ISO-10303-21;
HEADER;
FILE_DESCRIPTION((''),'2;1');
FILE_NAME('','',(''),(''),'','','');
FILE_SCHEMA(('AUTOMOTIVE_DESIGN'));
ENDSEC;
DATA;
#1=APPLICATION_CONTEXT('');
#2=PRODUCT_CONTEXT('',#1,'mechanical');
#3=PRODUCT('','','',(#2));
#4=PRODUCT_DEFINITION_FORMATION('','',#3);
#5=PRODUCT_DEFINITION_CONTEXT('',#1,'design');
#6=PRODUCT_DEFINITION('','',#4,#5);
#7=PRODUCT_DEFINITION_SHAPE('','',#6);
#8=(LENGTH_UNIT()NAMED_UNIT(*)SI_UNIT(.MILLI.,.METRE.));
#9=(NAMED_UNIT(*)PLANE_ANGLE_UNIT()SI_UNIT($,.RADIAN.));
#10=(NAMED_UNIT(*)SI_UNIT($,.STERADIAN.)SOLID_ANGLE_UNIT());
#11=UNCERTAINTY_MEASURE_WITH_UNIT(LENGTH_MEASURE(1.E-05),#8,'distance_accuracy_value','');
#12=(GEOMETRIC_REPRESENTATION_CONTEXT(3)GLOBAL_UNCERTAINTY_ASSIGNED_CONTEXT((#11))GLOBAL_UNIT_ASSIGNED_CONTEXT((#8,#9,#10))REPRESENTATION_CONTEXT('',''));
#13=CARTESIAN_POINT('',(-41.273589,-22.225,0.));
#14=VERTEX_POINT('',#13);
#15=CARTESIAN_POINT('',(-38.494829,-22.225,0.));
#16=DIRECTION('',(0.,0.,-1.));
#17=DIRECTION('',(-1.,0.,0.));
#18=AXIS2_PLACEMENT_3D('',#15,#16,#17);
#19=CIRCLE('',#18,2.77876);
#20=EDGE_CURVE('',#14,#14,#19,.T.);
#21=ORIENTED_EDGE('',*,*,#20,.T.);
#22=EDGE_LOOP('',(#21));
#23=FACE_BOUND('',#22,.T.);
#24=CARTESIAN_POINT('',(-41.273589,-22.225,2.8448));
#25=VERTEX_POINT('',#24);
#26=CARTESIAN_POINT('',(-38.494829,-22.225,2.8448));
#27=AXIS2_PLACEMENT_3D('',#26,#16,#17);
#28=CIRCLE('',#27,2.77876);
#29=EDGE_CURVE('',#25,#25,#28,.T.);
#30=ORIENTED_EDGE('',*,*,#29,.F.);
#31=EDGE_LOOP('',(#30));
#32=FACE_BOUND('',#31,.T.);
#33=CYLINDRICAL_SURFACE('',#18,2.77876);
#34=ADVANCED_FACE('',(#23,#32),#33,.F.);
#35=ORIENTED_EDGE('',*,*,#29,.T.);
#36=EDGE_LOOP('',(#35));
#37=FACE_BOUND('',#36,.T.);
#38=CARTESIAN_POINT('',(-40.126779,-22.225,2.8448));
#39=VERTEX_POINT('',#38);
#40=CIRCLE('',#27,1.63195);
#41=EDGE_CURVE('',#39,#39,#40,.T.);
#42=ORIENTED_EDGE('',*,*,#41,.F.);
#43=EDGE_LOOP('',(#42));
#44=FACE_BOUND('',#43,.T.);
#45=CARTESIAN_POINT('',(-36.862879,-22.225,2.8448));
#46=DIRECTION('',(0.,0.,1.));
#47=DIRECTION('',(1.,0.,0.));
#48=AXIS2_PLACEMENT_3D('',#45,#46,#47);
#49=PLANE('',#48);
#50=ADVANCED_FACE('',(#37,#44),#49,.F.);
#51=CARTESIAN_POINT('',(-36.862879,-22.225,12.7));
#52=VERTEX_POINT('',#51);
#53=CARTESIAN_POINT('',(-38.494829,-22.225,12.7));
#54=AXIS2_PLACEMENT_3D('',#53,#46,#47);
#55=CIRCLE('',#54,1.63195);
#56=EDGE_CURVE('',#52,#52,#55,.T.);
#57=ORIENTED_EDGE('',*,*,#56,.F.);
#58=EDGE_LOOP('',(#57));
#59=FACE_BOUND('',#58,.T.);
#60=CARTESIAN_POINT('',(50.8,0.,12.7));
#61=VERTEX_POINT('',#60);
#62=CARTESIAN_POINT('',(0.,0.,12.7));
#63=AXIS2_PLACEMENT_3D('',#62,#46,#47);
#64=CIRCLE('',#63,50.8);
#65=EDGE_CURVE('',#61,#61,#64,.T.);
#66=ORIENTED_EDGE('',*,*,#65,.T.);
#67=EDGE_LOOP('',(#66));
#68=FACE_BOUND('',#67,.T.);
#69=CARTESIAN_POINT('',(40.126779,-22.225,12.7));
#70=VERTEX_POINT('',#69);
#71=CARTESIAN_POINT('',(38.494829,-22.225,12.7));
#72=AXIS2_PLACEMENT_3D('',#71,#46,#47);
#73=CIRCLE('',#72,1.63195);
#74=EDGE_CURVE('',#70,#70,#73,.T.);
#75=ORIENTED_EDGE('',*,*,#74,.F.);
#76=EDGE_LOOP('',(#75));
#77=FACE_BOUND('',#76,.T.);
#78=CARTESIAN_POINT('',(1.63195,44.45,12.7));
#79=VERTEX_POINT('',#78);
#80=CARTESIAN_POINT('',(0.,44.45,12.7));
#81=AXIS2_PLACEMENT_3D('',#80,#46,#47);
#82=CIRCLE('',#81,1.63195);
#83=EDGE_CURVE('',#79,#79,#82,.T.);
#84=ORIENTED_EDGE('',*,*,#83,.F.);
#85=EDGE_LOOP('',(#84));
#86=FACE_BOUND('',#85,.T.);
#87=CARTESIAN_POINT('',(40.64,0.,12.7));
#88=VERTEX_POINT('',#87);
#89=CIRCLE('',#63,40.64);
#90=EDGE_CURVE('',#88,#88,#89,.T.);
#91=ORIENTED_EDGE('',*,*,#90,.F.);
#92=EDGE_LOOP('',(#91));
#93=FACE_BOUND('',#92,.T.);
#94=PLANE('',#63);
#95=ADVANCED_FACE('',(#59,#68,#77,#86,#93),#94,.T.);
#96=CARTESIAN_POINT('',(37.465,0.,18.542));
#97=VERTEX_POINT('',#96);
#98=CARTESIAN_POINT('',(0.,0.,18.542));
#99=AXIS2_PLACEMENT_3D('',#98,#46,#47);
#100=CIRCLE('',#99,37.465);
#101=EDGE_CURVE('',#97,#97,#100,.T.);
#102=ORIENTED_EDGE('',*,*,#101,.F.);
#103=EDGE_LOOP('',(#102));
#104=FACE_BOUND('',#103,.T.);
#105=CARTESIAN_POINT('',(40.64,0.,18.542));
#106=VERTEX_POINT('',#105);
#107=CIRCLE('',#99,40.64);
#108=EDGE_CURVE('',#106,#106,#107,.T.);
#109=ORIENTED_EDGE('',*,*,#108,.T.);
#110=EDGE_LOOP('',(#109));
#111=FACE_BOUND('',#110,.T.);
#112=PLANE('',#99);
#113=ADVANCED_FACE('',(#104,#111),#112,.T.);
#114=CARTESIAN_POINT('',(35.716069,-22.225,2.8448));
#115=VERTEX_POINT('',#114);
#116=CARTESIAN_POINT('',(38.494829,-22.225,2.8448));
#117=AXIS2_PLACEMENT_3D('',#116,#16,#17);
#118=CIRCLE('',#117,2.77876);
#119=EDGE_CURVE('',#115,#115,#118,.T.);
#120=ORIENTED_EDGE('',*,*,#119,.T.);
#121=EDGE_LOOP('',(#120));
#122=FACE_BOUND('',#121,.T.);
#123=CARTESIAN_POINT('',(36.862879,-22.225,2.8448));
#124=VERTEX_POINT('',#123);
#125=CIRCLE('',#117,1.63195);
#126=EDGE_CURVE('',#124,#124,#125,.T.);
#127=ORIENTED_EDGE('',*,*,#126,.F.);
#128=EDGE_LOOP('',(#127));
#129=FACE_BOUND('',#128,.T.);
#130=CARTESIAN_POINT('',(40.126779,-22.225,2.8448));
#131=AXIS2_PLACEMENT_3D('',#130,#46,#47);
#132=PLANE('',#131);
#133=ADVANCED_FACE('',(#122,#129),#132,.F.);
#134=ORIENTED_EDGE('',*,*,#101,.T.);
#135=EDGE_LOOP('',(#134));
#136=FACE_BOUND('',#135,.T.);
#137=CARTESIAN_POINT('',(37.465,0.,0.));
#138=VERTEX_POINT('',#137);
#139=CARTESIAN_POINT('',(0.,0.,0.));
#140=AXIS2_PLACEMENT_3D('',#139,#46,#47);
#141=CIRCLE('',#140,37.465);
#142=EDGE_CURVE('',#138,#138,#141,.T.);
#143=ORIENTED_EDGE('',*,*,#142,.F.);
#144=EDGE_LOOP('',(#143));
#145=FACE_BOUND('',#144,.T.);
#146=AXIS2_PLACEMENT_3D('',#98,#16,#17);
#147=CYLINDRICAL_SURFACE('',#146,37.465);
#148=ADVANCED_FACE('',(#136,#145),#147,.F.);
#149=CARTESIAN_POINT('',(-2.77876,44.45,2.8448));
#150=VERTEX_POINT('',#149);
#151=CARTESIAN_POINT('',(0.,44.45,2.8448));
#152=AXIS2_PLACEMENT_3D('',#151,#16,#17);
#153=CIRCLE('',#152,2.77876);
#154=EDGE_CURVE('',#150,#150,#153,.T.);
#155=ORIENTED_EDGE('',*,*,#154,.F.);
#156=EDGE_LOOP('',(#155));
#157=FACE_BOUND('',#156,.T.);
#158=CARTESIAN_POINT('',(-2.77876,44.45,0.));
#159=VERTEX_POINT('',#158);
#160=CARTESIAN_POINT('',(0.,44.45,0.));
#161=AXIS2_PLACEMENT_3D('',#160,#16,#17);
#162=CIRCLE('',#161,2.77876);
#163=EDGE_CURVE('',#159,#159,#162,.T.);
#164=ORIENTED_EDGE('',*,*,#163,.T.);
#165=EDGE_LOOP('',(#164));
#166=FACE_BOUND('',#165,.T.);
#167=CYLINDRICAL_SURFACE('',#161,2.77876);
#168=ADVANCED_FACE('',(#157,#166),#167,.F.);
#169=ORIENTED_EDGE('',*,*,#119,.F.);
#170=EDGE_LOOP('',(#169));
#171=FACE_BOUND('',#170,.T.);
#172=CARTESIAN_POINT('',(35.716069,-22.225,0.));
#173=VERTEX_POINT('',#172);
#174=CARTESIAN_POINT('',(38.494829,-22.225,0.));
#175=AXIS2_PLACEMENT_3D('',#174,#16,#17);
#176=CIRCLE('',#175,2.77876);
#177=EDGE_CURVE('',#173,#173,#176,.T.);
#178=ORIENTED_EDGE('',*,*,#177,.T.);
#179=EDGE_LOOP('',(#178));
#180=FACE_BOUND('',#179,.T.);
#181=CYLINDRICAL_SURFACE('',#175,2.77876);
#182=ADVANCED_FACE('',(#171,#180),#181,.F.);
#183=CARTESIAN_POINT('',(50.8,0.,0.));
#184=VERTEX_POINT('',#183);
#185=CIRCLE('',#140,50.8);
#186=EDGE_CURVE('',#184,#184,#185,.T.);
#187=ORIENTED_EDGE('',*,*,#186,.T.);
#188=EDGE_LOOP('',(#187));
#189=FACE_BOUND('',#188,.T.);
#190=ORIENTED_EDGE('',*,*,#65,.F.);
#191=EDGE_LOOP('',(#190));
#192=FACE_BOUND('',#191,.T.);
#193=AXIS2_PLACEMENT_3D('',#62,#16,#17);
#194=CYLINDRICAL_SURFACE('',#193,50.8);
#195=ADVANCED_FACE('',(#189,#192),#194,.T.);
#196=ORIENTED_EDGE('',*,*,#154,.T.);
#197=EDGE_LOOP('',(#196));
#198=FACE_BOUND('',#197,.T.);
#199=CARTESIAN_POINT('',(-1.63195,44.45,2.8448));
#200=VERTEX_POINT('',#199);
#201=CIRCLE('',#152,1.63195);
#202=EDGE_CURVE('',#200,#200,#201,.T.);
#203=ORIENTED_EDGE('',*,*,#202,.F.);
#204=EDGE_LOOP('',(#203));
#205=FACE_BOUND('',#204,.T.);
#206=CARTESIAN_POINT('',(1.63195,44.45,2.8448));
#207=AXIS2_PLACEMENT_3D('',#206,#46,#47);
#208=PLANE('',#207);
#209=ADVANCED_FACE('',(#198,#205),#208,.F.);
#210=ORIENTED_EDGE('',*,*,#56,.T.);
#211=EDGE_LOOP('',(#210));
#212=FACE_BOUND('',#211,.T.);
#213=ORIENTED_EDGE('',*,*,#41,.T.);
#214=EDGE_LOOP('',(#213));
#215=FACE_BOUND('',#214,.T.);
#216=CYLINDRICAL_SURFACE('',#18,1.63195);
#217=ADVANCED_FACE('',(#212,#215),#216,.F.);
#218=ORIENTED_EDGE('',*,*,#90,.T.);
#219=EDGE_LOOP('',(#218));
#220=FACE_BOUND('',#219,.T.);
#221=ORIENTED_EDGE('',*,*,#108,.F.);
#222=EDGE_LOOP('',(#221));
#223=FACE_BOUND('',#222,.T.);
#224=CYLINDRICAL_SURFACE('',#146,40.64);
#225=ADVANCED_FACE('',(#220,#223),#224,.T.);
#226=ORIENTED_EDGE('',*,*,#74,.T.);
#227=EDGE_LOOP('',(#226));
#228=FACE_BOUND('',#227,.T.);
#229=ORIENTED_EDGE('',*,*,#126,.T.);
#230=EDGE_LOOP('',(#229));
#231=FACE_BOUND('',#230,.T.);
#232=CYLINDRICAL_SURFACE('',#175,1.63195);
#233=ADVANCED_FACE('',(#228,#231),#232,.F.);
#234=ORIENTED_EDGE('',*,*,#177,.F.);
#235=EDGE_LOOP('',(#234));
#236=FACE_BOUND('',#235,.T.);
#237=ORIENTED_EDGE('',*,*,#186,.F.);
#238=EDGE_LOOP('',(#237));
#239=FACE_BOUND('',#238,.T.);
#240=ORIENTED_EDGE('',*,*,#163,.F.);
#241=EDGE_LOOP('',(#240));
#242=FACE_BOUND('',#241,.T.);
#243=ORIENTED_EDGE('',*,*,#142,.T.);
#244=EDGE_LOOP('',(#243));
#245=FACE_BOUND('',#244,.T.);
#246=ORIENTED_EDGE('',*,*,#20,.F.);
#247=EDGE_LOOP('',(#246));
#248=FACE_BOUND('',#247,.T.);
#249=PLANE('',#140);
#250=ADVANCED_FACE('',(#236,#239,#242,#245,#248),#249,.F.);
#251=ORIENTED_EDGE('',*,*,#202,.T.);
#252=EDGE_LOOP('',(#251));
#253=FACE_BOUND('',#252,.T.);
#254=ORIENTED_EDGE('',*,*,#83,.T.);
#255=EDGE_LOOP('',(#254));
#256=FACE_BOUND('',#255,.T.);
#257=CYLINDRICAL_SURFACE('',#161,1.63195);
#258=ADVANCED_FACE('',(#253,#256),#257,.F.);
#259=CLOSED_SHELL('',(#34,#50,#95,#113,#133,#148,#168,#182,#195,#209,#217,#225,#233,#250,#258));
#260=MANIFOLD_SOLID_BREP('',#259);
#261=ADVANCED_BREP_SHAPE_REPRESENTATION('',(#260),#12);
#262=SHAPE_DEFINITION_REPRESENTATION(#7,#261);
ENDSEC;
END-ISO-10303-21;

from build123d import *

# Parameters (mm, degrees)
SKETCH1_R           = 50.8
BOSS_EXTRUDE1_DEPTH = 12.7
SKETCH2_R           = 40.64
SKETCH2_R_2         = 37.465
BOSS_EXTRUDE2_DEPTH = 5.842
SKETCH4_R           = 37.465
CUT_EXTRUDE1_DEPTH  = 13.7
CIRPATTERN1_COUNT   = 3


with BuildPart() as part:
    # Sketch1 → Boss-Extrude1 (new body)
    with BuildSketch(Plane.XY):
        Circle(SKETCH1_R)
    extrude(amount=BOSS_EXTRUDE1_DEPTH)

    # Sketch2 → Boss-Extrude2 (add)
    with BuildSketch(Plane.XY.offset(12.7)):
        Circle(SKETCH2_R)
        Circle(SKETCH2_R_2, mode=Mode.SUBTRACT)
    extrude(amount=BOSS_EXTRUDE2_DEPTH)

    # Sketch4 → Cut-Extrude1 (cut, through all)
    with BuildSketch(Plane.XY.offset(12.7)):
        Circle(SKETCH4_R)
    extrude(amount=-CUT_EXTRUDE1_DEPTH, mode=Mode.SUBTRACT)

    # Sketch6 → CBORE for #4 Socket Head Cap Screw1 (revolve, cut)
    with BuildSketch(Plane(origin=(0, 44.45, 0), x_dir=(0, 1, 0), z_dir=(1, 0, 0))):
        Polygon((0, 0), (0, 13.807574487), (1.63195, 12.827), (1.63195, 2.8448), (2.77876, 2.8448), (2.77876, 0), align=None)
    cbore_for_4_socket_head_cap_screw1 = revolve(axis=Axis((0, 44.45, -6.35), (0, 0, 1)), mode=Mode.SUBTRACT)

    # CirPattern1: CBORE for #4 Socket Head Cap Screw1 ×3 about axis
    cirpattern1_axis = Axis((0, 0, 0), (0, 0, 1))
    for i in range(1, CIRPATTERN1_COUNT):
        add(cbore_for_4_socket_head_cap_screw1.rotate(cirpattern1_axis, i * 360 / CIRPATTERN1_COUNT), mode=Mode.SUBTRACT)


solid = part.part
